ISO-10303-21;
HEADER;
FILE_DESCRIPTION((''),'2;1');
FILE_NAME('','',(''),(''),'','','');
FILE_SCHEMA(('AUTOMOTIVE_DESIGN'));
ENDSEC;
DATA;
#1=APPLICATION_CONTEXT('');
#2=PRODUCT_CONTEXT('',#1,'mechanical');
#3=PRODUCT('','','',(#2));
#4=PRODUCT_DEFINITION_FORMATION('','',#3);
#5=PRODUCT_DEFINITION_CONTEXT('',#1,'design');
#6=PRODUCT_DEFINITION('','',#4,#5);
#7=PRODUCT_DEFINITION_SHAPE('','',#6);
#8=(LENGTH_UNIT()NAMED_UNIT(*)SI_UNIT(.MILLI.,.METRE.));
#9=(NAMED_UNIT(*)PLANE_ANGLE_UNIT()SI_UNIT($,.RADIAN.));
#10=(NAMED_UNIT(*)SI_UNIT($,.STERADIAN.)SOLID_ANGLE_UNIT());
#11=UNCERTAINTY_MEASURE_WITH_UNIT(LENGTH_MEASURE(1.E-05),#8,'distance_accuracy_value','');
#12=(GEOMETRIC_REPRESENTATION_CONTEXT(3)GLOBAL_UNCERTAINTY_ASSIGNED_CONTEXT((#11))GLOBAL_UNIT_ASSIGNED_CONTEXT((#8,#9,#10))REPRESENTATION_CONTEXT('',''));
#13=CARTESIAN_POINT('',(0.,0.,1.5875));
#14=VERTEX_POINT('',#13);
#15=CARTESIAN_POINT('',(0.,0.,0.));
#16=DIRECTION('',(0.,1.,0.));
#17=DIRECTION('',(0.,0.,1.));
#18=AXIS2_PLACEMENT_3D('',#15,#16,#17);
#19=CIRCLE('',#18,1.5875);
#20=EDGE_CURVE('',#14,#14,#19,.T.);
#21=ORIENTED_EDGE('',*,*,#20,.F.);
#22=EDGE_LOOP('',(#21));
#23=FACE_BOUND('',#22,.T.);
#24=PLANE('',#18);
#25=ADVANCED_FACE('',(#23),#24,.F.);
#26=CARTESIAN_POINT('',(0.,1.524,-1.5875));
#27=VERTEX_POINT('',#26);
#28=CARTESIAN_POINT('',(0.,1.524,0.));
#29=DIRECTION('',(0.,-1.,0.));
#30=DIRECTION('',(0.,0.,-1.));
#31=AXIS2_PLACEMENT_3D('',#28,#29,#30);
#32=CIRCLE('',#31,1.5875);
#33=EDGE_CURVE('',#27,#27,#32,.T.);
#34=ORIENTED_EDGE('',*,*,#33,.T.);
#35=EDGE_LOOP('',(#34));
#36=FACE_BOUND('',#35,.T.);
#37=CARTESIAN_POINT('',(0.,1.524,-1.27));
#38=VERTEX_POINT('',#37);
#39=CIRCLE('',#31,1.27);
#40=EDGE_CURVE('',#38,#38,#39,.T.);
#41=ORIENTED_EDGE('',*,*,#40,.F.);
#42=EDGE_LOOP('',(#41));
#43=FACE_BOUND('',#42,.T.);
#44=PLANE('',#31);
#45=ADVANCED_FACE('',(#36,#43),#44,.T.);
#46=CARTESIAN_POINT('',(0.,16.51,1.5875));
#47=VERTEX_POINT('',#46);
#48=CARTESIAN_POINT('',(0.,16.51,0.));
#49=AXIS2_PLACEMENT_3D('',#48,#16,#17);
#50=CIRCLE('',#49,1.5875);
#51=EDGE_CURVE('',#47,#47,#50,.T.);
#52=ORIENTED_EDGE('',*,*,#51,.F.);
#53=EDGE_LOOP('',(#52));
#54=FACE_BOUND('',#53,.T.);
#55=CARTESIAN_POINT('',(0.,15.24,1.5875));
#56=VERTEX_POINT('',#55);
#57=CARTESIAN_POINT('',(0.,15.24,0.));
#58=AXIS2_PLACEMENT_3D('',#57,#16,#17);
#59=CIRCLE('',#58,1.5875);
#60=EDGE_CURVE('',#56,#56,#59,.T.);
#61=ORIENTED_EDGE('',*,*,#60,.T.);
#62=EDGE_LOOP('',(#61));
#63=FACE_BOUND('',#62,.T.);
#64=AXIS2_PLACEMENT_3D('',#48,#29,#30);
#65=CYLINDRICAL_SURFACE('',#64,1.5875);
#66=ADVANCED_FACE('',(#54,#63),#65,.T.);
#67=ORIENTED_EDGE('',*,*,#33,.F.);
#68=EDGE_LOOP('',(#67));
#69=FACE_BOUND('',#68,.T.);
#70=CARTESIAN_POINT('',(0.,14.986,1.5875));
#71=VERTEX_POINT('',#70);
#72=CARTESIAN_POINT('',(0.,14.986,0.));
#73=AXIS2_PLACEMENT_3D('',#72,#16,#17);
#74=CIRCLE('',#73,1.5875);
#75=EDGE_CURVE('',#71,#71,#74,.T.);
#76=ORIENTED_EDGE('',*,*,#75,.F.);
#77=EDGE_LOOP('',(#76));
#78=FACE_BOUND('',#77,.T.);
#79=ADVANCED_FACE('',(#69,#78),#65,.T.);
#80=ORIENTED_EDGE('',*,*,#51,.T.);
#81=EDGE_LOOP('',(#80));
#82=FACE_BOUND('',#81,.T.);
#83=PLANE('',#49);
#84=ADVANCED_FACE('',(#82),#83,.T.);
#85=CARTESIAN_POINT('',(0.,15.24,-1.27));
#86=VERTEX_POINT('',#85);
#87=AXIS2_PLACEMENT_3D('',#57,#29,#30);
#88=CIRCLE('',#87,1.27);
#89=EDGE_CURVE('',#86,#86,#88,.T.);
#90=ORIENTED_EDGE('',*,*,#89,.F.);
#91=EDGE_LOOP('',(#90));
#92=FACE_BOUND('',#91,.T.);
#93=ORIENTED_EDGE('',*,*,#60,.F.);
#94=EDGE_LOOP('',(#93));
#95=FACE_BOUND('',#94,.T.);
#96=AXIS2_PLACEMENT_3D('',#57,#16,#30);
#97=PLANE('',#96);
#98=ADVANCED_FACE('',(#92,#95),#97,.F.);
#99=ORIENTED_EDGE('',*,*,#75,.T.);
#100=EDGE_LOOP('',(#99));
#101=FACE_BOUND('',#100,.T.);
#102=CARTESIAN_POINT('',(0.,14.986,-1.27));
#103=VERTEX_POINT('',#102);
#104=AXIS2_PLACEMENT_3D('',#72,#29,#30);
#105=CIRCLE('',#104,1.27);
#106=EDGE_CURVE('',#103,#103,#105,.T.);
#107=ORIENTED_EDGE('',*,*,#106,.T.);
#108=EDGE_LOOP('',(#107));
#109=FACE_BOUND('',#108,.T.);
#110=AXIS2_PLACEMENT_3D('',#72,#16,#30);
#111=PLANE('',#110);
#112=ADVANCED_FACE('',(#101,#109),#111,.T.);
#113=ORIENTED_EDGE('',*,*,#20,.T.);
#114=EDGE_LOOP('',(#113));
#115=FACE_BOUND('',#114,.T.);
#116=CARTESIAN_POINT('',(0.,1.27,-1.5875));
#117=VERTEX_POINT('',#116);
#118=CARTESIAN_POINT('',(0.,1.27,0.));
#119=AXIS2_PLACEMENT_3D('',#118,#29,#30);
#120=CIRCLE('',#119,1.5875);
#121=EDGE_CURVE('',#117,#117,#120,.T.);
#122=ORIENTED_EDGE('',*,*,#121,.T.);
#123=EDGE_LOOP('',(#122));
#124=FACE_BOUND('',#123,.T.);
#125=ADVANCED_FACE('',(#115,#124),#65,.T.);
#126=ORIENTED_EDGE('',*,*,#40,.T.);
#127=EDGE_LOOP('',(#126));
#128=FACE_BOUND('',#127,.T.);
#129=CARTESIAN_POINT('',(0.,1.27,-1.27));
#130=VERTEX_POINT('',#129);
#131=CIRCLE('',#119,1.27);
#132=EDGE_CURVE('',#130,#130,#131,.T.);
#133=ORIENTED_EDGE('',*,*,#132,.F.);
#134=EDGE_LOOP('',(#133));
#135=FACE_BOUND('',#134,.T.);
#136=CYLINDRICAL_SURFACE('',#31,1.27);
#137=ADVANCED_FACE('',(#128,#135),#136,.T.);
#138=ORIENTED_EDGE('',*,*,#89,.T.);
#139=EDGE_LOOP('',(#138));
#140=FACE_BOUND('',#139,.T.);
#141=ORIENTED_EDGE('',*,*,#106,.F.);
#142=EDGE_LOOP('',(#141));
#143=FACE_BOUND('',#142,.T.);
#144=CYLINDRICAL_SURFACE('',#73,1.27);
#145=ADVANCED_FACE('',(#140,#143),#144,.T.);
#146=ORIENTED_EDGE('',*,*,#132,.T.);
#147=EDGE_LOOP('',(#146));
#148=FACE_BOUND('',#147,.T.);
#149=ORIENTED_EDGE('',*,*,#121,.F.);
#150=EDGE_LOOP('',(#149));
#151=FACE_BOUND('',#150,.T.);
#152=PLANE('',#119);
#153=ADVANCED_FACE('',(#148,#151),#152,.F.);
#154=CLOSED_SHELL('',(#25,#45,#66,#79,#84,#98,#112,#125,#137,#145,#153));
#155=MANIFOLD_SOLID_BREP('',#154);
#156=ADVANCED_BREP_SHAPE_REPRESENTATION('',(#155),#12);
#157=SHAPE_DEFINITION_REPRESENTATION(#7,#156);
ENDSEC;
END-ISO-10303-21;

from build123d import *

# Parameters (mm, degrees)
SKETCH1_R           = 1.5875
BOSS_EXTRUDE1_DEPTH = 16.51
SKETCH3_R           = 1.903344521
SKETCH3_R_2         = 1.27
CUT_EXTRUDE2_DEPTH  = 0.254


with BuildPart() as part:
    # Sketch1 → Boss-Extrude1 (new body)
    with BuildSketch(Plane(origin=(0, 0, 0), x_dir=(1, 0, 0), z_dir=(0, 1, 0))):
        Circle(SKETCH1_R)
    extrude(amount=BOSS_EXTRUDE1_DEPTH)

    # Sketch3 → Cut-Extrude2 (cut)
    with BuildSketch(Plane(origin=(0, 1.27, 0), x_dir=(-1, 0, 0), z_dir=(0, -1, 0))):
        Circle(SKETCH3_R)
        Circle(SKETCH3_R_2, mode=Mode.SUBTRACT)
    cut_extrude2 = extrude(amount=-CUT_EXTRUDE2_DEPTH, mode=Mode.SUBTRACT)

    # Mirror2: Cut-Extrude2 across plane
    add(cut_extrude2.mirror(Plane(origin=(0, 8.255, 0), x_dir=(0, 0, 1), z_dir=(0, -1, 0))), mode=Mode.SUBTRACT)


solid = part.part
